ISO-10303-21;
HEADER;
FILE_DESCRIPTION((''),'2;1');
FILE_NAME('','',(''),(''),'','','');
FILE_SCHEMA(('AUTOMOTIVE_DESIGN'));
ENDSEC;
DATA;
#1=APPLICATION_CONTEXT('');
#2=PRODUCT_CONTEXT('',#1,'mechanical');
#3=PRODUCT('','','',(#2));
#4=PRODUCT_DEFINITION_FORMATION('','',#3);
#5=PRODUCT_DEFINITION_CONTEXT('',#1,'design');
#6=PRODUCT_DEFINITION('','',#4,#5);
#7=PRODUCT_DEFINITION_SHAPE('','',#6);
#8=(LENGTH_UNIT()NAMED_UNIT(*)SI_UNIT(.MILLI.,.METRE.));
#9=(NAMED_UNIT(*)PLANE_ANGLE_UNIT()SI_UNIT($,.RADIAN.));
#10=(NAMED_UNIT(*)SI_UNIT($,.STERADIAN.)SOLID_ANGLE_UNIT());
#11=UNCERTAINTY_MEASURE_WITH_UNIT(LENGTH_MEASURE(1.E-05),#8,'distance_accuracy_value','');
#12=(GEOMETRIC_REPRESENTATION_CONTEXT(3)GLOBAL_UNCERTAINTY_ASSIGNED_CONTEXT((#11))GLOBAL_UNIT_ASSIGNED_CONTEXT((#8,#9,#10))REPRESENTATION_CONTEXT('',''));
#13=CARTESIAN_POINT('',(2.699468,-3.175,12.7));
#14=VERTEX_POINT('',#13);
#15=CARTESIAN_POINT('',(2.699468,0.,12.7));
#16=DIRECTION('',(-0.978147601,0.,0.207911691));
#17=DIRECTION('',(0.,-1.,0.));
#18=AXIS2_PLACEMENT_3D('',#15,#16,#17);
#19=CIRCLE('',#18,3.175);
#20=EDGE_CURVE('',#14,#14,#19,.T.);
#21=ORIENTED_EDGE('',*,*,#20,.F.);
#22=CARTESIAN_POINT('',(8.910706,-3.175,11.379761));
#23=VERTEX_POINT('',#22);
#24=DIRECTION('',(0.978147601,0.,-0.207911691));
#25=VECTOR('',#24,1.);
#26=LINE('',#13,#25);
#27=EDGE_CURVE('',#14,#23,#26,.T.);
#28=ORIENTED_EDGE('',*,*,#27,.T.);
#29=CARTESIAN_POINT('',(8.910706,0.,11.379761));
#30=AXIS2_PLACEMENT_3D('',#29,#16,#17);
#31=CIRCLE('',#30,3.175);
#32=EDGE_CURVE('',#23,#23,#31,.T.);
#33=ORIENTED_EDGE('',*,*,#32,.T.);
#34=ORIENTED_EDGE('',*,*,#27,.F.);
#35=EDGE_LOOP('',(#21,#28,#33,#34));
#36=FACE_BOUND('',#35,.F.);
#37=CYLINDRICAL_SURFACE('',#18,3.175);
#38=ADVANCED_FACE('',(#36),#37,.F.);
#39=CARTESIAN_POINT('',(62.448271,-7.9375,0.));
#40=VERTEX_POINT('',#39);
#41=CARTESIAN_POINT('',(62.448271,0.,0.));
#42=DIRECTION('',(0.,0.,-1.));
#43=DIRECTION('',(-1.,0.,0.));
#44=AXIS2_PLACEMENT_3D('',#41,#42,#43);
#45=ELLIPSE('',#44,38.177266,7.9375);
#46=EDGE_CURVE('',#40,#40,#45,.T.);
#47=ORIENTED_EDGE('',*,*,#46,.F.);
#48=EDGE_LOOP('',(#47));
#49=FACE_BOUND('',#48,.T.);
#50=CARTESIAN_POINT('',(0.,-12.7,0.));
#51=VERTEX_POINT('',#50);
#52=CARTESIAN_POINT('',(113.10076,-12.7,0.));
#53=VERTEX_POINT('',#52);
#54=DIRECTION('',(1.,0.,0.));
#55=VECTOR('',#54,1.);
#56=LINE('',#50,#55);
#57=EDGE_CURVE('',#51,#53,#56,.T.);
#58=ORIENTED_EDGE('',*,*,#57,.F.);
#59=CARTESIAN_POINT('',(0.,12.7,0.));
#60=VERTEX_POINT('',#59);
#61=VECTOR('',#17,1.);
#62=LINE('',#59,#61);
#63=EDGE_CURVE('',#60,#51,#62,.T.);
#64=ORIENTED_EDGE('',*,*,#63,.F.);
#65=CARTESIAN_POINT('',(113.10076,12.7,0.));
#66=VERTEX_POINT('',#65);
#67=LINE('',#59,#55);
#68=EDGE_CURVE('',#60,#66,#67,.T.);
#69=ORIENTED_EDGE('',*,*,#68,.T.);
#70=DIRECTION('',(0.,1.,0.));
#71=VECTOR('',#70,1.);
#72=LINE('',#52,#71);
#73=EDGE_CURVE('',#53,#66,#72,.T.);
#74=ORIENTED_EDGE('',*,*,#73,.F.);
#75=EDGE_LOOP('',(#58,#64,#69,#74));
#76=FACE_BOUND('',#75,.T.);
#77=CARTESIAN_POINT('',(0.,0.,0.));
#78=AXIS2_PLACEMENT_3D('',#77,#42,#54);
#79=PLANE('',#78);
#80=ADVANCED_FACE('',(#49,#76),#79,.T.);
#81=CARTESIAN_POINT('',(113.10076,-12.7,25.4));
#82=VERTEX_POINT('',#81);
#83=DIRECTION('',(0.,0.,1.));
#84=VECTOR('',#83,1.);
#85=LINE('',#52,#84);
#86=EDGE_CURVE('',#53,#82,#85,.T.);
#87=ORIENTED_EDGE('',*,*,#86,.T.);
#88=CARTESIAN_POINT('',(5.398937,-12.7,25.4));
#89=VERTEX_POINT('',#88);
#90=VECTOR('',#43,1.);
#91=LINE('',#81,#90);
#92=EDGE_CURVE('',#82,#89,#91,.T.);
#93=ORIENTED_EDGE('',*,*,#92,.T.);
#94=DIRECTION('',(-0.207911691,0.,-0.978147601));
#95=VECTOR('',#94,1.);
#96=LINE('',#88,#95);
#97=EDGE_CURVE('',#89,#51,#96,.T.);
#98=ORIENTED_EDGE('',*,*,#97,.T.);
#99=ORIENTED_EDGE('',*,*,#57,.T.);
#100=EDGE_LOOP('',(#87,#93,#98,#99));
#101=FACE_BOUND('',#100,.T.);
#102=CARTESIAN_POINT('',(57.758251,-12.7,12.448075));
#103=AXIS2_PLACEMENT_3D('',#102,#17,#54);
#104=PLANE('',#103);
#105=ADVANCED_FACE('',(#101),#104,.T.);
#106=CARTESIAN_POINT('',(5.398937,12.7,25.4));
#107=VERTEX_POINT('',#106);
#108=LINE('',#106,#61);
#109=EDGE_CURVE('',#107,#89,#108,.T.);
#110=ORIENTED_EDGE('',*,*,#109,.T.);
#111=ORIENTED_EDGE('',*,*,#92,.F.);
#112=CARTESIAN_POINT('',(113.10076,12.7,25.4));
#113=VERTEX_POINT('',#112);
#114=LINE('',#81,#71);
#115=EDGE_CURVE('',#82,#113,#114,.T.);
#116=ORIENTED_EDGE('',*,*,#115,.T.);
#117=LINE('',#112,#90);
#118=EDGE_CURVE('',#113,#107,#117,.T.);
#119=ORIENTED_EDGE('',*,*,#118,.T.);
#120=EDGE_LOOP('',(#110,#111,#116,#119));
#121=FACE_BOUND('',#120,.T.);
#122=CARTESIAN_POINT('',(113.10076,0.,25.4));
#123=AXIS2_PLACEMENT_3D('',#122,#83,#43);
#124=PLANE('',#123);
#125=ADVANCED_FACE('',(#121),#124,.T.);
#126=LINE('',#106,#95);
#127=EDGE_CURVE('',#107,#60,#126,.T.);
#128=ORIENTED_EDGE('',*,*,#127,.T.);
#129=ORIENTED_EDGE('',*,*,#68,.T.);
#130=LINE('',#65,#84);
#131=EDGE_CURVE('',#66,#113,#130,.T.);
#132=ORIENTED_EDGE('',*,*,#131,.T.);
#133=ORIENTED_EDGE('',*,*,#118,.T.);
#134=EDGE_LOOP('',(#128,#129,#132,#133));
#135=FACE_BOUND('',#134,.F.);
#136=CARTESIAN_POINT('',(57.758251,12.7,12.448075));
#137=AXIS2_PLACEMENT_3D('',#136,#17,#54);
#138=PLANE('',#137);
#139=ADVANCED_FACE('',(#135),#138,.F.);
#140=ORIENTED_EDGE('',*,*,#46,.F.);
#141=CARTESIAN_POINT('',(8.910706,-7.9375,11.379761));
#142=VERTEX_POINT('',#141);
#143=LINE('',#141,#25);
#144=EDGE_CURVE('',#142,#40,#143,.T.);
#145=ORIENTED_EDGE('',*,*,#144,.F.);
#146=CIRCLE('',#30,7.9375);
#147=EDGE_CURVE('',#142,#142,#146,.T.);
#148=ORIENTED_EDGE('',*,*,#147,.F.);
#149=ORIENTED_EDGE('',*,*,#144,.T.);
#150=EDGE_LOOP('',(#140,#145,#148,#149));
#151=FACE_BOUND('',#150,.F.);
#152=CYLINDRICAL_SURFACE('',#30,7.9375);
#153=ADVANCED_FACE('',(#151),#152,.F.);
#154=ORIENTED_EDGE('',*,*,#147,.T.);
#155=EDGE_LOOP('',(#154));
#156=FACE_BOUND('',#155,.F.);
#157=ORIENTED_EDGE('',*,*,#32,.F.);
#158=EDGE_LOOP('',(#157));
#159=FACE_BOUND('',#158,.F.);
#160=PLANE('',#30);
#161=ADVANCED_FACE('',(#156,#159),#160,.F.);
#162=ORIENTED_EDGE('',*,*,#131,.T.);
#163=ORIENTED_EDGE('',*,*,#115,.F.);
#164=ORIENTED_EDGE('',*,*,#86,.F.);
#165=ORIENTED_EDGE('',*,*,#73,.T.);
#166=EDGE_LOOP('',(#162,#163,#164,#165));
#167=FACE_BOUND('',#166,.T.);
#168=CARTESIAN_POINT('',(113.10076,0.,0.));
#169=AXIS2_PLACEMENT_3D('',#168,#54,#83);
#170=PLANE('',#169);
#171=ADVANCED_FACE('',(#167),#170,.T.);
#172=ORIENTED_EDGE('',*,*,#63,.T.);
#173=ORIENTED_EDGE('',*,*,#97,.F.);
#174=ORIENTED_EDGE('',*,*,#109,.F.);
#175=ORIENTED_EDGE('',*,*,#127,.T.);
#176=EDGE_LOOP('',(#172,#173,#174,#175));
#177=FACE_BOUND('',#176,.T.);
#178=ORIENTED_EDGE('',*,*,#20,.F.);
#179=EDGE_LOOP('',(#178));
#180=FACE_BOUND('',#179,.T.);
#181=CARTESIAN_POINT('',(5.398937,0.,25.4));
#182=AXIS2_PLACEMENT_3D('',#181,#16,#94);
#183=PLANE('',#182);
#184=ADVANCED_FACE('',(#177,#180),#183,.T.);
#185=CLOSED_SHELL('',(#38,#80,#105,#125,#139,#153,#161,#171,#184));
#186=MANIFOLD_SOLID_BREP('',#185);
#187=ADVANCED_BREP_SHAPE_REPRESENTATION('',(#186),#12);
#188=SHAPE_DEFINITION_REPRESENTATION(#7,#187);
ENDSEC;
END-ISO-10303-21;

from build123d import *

# Parameters (mm, degrees)
F1_DEPTH = 12.7
F2_R     = 3.175
F3_DEPTH = 110.6302371448
F5_R     = 7.9375
F5_R_2   = 3.175
F6_DEPTH = 104.2802371448


with BuildPart() as f1:
    # F0 (on Front) → F1 (new body, symmetric)
    with BuildSketch(Plane.XZ):
        Polygon((113.1007601121, 25.4), (5.3989366664, 25.4), (0, 0), (113.1007601121, 0), align=None)
    extrude(amount=F1_DEPTH, both=True)

    # F2 (on face) → F3 (cut, through all)
    with BuildSketch(Plane(origin=(0, 0, 0), x_dir=(0, -1, 0), z_dir=(-0.9781476007, 0, 0.2079116908))):
        with Locations((0, 12.9837255548)):
            Circle(F2_R)
    extrude(amount=-F3_DEPTH, mode=Mode.SUBTRACT)

    # F5 (on offset) → F6 (cut, through all)
    with BuildSketch(Plane(origin=(6.2112372647, 0, -1.3202392367), x_dir=(0, -1, 0), z_dir=(-0.9781476007, 0, 0.2079116908))):
        with Locations((0, 12.9837255548)):
            Circle(F5_R)
        with Locations((0, 12.9837255548)):
            Circle(F5_R_2, mode=Mode.SUBTRACT)
    extrude(amount=-F6_DEPTH, mode=Mode.SUBTRACT)


solid = f1.part
